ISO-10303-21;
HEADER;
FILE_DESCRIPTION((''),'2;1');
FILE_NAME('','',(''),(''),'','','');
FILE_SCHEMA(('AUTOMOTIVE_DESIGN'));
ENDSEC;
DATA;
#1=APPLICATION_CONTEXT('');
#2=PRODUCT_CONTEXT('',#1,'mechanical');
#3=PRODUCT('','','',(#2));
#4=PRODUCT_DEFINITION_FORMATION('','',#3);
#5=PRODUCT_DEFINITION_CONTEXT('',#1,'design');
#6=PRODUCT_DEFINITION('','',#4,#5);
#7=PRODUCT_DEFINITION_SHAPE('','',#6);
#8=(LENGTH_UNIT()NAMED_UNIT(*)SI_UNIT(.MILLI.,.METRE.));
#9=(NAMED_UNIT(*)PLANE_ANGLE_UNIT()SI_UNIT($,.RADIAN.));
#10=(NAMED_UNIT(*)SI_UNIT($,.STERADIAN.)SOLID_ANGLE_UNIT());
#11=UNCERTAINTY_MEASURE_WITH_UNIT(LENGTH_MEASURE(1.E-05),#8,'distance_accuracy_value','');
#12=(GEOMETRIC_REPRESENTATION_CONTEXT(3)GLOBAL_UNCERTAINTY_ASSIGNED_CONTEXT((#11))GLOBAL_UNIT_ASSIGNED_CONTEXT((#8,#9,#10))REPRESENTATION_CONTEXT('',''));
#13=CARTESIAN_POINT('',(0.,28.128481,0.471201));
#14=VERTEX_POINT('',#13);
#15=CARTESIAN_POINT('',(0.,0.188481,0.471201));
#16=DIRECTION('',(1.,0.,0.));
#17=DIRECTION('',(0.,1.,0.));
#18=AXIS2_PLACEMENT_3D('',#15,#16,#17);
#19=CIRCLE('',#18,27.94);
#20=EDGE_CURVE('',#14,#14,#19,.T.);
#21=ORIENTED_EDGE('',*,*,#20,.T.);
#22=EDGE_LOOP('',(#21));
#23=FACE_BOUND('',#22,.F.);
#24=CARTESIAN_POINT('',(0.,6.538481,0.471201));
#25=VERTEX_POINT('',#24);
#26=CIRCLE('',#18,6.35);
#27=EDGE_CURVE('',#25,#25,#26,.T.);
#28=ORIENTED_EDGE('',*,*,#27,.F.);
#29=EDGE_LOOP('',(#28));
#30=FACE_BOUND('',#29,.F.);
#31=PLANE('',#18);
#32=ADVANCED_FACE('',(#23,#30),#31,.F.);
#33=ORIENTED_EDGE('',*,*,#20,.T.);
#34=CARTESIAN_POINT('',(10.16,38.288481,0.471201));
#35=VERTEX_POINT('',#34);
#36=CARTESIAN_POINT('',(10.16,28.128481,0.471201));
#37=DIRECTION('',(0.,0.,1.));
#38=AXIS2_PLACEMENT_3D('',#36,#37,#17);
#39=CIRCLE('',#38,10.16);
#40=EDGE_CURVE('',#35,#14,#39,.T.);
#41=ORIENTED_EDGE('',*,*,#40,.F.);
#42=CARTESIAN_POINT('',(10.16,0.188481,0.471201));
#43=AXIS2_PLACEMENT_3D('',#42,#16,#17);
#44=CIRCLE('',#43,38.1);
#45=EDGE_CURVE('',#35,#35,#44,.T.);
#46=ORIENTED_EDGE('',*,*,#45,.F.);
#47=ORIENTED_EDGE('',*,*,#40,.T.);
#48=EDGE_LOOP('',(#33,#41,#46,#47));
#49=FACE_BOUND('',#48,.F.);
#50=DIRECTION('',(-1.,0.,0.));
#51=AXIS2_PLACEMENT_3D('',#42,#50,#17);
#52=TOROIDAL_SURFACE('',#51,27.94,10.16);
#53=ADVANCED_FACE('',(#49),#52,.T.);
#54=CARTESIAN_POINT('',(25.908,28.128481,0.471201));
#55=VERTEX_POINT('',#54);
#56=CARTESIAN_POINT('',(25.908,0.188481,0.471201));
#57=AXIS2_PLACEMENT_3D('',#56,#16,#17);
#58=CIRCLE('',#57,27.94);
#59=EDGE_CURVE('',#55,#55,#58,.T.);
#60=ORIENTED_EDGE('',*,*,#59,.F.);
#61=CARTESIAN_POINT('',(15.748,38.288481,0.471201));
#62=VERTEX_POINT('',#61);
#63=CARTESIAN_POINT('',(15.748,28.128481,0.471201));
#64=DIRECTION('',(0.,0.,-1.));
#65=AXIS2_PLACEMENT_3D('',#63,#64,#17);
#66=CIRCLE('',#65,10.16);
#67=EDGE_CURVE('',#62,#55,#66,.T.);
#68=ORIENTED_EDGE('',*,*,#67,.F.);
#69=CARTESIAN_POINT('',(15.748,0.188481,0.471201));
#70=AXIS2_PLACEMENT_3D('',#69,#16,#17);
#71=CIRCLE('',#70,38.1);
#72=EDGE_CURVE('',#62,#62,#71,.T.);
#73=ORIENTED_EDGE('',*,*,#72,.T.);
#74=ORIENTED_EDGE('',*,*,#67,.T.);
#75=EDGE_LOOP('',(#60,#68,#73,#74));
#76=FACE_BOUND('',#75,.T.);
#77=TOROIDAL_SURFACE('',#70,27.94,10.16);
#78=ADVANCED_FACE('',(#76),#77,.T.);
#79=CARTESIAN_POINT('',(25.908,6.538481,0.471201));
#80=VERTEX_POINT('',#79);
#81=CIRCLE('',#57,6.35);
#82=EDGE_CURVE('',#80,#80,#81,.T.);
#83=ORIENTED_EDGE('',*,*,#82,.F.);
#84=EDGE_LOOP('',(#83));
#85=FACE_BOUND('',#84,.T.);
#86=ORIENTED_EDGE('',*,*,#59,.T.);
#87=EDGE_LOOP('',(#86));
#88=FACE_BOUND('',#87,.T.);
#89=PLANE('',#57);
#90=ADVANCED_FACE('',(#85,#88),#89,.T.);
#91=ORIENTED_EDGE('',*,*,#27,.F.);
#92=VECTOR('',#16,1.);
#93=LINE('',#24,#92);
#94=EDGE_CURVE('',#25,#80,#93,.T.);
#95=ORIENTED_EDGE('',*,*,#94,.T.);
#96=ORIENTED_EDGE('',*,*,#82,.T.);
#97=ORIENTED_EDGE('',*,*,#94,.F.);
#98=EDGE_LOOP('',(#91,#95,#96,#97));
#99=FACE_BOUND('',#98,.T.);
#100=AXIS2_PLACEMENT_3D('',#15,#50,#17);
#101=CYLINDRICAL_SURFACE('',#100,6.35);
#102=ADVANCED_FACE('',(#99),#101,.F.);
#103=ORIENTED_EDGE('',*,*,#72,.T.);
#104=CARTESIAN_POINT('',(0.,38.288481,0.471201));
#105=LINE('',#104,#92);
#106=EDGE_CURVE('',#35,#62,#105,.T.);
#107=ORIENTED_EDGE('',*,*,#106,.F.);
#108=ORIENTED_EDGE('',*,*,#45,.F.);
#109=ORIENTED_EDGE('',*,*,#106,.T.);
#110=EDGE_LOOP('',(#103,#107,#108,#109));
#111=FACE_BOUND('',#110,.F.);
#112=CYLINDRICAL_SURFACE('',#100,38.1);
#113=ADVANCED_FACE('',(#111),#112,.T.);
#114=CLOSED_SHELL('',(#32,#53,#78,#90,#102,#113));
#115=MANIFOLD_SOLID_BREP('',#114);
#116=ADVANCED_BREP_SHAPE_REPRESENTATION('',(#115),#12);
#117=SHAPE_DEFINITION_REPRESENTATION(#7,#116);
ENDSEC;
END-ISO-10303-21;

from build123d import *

# Parameters (mm, degrees)
F0_R     = 38.1
F0_R_2   = 6.35
F1_DEPTH = 25.908
F2_R     = 10.16


with BuildPart() as f1:
    # F0 (on Right) → F1 (new body)
    with BuildSketch(Plane.YZ):
        with Locations((0.188481, 0.471201)):
            Circle(F0_R)
        with Locations((0.188481, 0.471201)):
            Circle(F0_R_2, mode=Mode.SUBTRACT)
    extrude(amount=F1_DEPTH)

    # F2
    f2_edges = [f1.edges().sort_by_distance(p)[0] for p in [
        (12.954, 38.288481, 0.471201),
        (0, -37.911519, 0.471201),
        (25.908, -37.911519, 0.471201),
    ]]
    fillet(f2_edges, radius=F2_R)


solid = f1.part
